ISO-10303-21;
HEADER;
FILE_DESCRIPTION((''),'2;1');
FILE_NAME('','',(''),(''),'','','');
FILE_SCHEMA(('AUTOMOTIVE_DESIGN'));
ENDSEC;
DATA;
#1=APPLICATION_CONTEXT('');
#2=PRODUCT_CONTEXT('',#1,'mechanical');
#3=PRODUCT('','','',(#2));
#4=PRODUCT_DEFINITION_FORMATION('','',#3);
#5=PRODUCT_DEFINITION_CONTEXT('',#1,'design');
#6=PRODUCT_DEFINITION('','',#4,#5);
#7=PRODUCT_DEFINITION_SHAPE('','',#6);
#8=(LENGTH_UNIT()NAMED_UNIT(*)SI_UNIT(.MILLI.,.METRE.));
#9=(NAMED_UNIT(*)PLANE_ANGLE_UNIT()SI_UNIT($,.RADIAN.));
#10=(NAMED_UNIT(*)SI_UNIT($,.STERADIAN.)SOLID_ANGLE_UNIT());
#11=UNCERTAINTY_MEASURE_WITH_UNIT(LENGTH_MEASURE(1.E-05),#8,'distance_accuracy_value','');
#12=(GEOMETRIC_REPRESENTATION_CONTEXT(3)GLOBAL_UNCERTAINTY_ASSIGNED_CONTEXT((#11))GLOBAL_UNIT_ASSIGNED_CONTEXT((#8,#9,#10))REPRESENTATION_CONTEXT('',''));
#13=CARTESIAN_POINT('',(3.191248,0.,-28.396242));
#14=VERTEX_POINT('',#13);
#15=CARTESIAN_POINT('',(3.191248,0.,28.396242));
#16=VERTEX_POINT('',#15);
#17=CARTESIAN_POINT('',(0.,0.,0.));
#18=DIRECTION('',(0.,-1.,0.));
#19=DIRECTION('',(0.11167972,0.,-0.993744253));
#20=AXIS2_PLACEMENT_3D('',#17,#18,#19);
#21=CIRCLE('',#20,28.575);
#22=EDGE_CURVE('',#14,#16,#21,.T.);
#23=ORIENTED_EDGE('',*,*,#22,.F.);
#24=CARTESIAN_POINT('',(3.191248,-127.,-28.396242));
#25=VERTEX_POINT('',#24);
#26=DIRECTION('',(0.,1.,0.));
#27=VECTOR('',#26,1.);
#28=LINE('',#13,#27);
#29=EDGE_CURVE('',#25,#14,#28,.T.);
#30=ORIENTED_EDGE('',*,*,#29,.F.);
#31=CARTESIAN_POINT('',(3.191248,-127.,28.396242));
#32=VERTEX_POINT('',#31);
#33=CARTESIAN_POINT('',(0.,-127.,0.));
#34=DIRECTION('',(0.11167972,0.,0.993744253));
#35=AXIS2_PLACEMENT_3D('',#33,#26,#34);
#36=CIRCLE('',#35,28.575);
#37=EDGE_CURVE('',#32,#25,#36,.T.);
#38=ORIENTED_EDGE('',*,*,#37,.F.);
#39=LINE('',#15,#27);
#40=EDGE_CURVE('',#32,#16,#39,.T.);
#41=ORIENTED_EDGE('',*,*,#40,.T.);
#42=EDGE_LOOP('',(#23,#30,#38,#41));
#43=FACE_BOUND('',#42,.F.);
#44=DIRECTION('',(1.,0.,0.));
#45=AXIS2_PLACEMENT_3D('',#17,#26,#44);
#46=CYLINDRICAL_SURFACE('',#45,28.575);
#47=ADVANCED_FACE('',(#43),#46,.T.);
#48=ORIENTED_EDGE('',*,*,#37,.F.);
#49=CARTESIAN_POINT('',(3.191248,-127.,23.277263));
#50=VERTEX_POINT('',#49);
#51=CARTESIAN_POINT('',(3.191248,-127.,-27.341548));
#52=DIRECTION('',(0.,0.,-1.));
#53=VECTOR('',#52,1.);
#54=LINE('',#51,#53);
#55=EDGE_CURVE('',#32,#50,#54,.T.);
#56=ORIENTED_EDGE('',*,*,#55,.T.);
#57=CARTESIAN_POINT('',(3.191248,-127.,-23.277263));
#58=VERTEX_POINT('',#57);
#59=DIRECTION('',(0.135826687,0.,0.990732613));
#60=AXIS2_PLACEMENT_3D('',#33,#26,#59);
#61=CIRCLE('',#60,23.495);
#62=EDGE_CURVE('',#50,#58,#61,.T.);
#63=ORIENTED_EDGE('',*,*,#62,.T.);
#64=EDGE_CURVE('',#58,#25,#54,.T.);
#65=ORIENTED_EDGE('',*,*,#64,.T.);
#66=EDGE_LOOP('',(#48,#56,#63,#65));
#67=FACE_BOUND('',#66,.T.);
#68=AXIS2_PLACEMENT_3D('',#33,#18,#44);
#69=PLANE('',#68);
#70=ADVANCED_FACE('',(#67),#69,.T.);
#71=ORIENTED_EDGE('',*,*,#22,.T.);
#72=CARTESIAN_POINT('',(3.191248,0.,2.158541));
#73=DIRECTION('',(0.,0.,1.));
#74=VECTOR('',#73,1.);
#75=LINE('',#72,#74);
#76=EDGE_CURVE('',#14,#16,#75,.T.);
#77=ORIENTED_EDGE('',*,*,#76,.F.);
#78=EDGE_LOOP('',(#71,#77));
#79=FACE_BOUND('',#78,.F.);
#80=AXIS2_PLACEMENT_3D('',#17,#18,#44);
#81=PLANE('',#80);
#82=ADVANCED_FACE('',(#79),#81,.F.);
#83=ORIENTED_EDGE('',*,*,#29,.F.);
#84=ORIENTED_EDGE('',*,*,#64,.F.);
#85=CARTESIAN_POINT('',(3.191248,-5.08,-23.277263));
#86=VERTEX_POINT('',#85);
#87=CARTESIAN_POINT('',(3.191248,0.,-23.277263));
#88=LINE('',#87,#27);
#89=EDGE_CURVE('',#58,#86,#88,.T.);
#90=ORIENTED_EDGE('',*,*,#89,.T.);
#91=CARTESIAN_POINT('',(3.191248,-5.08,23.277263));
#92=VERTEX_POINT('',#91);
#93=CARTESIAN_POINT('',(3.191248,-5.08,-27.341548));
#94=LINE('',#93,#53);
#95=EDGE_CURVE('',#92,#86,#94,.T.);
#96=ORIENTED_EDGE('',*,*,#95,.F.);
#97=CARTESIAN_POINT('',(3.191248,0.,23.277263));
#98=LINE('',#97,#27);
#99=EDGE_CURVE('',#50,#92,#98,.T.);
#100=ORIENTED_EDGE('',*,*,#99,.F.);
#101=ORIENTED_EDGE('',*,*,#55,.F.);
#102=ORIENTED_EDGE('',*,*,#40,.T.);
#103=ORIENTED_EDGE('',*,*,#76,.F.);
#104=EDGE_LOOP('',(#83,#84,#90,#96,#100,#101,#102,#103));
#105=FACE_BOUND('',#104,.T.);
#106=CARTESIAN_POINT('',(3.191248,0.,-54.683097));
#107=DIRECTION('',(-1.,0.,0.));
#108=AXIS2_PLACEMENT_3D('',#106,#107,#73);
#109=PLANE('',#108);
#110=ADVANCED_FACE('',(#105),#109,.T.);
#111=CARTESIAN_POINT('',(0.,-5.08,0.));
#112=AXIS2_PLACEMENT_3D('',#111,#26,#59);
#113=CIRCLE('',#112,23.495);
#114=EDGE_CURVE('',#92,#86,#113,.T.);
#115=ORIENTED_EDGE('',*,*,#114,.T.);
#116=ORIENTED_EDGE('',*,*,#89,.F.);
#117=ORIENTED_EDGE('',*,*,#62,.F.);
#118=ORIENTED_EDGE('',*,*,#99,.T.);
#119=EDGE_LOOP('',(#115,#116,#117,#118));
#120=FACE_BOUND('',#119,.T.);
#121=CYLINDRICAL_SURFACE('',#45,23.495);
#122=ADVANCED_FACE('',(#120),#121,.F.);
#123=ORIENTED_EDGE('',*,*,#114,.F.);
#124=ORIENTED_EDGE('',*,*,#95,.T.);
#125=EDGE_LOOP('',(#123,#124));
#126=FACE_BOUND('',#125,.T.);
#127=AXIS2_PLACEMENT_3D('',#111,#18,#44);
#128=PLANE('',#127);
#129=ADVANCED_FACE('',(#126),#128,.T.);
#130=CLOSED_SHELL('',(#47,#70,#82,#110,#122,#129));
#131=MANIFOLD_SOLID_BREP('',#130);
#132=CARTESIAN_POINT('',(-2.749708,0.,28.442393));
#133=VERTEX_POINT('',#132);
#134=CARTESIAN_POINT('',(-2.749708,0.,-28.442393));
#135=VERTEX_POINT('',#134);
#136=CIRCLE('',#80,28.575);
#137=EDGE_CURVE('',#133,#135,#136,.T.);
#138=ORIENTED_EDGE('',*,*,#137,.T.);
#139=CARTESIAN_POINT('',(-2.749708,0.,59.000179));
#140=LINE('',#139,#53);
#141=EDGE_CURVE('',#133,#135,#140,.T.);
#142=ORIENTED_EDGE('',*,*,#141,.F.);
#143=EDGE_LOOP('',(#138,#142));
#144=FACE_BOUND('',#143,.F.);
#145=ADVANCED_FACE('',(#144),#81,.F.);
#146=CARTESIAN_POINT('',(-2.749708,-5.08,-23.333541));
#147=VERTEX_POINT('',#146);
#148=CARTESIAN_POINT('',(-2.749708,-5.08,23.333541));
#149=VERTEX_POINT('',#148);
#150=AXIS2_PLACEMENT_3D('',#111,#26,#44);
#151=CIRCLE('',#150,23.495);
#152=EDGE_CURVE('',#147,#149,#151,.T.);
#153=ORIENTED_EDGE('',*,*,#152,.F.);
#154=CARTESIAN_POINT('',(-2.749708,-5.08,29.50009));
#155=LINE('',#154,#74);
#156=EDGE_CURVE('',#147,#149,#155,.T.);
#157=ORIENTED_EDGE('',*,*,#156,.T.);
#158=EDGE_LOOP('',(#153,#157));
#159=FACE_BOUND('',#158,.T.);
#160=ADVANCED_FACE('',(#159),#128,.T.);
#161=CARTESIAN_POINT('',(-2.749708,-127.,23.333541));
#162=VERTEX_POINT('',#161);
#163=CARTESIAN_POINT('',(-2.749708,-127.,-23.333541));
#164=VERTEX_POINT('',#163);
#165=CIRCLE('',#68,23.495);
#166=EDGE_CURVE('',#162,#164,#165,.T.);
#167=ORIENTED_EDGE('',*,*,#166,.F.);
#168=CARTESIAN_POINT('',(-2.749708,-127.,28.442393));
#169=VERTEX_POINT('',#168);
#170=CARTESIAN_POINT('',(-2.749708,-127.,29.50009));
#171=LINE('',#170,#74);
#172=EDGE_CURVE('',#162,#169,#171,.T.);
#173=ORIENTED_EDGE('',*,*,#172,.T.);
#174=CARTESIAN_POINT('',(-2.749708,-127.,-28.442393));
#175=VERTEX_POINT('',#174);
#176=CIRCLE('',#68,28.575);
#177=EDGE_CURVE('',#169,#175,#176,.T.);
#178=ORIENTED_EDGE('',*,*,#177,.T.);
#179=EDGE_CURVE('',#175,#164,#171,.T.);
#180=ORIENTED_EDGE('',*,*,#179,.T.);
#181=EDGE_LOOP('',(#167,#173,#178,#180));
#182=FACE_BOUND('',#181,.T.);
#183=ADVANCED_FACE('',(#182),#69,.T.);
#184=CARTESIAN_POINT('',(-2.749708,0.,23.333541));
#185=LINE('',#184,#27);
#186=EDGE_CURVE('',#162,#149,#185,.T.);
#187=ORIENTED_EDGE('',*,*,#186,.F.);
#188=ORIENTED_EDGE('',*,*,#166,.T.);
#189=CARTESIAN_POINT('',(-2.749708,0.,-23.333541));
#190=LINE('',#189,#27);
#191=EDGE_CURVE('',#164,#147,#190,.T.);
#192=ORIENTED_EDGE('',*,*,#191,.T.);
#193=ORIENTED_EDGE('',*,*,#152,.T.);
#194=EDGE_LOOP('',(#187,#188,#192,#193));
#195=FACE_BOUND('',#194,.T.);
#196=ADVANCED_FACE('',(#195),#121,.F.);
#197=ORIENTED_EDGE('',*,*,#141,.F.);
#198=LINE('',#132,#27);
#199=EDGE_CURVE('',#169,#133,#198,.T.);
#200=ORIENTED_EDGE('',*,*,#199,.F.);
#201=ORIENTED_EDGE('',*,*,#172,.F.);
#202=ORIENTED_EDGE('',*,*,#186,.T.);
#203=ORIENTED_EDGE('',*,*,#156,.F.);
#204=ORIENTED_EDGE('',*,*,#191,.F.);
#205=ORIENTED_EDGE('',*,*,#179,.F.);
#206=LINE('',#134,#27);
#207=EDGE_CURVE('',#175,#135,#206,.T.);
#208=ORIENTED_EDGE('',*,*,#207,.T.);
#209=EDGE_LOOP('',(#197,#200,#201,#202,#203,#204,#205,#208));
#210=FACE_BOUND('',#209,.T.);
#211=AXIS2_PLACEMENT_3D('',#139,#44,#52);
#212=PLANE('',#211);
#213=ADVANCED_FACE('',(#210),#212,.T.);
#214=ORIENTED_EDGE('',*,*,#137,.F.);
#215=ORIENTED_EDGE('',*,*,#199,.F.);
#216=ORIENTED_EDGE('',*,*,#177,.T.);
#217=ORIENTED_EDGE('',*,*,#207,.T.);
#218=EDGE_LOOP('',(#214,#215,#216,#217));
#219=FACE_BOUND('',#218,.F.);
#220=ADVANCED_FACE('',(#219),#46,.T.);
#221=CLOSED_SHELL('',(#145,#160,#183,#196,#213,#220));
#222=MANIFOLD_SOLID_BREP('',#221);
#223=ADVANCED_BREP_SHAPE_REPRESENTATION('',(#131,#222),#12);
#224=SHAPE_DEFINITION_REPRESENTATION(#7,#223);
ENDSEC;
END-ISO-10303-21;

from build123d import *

# Parameters (mm, degrees)
F0_R     = 28.575
F1_DEPTH = 127
F2_T     = -5.08
F3_W     = 3.191248
F3_H     = 113.683276
F4_DEPTH = 609.6


with BuildPart() as f1:
    # F0 (on Front) → F1 (new body)
    with BuildSketch(Plane.XZ):
        Circle(F0_R)
    extrude(amount=F1_DEPTH)

    # F2
    f2_openings = [f1.faces().sort_by_distance(p)[0] for p in [
        (0, -127, 0),
    ]]
    offset(amount=F2_T, openings=f2_openings)

    # F3 (on Front) → F4 (cut)
    with BuildSketch(Plane.XZ):
        with Locations((1.595624, 2.158541)):
            Rectangle(F3_W, F3_H)
        Polygon((0, -54.683097), (0, 59.000179), (-2.749708, 59.000179), (-2.749708, -54.487471), align=None)
    extrude(amount=F4_DEPTH, mode=Mode.SUBTRACT)


solid = f1.part
